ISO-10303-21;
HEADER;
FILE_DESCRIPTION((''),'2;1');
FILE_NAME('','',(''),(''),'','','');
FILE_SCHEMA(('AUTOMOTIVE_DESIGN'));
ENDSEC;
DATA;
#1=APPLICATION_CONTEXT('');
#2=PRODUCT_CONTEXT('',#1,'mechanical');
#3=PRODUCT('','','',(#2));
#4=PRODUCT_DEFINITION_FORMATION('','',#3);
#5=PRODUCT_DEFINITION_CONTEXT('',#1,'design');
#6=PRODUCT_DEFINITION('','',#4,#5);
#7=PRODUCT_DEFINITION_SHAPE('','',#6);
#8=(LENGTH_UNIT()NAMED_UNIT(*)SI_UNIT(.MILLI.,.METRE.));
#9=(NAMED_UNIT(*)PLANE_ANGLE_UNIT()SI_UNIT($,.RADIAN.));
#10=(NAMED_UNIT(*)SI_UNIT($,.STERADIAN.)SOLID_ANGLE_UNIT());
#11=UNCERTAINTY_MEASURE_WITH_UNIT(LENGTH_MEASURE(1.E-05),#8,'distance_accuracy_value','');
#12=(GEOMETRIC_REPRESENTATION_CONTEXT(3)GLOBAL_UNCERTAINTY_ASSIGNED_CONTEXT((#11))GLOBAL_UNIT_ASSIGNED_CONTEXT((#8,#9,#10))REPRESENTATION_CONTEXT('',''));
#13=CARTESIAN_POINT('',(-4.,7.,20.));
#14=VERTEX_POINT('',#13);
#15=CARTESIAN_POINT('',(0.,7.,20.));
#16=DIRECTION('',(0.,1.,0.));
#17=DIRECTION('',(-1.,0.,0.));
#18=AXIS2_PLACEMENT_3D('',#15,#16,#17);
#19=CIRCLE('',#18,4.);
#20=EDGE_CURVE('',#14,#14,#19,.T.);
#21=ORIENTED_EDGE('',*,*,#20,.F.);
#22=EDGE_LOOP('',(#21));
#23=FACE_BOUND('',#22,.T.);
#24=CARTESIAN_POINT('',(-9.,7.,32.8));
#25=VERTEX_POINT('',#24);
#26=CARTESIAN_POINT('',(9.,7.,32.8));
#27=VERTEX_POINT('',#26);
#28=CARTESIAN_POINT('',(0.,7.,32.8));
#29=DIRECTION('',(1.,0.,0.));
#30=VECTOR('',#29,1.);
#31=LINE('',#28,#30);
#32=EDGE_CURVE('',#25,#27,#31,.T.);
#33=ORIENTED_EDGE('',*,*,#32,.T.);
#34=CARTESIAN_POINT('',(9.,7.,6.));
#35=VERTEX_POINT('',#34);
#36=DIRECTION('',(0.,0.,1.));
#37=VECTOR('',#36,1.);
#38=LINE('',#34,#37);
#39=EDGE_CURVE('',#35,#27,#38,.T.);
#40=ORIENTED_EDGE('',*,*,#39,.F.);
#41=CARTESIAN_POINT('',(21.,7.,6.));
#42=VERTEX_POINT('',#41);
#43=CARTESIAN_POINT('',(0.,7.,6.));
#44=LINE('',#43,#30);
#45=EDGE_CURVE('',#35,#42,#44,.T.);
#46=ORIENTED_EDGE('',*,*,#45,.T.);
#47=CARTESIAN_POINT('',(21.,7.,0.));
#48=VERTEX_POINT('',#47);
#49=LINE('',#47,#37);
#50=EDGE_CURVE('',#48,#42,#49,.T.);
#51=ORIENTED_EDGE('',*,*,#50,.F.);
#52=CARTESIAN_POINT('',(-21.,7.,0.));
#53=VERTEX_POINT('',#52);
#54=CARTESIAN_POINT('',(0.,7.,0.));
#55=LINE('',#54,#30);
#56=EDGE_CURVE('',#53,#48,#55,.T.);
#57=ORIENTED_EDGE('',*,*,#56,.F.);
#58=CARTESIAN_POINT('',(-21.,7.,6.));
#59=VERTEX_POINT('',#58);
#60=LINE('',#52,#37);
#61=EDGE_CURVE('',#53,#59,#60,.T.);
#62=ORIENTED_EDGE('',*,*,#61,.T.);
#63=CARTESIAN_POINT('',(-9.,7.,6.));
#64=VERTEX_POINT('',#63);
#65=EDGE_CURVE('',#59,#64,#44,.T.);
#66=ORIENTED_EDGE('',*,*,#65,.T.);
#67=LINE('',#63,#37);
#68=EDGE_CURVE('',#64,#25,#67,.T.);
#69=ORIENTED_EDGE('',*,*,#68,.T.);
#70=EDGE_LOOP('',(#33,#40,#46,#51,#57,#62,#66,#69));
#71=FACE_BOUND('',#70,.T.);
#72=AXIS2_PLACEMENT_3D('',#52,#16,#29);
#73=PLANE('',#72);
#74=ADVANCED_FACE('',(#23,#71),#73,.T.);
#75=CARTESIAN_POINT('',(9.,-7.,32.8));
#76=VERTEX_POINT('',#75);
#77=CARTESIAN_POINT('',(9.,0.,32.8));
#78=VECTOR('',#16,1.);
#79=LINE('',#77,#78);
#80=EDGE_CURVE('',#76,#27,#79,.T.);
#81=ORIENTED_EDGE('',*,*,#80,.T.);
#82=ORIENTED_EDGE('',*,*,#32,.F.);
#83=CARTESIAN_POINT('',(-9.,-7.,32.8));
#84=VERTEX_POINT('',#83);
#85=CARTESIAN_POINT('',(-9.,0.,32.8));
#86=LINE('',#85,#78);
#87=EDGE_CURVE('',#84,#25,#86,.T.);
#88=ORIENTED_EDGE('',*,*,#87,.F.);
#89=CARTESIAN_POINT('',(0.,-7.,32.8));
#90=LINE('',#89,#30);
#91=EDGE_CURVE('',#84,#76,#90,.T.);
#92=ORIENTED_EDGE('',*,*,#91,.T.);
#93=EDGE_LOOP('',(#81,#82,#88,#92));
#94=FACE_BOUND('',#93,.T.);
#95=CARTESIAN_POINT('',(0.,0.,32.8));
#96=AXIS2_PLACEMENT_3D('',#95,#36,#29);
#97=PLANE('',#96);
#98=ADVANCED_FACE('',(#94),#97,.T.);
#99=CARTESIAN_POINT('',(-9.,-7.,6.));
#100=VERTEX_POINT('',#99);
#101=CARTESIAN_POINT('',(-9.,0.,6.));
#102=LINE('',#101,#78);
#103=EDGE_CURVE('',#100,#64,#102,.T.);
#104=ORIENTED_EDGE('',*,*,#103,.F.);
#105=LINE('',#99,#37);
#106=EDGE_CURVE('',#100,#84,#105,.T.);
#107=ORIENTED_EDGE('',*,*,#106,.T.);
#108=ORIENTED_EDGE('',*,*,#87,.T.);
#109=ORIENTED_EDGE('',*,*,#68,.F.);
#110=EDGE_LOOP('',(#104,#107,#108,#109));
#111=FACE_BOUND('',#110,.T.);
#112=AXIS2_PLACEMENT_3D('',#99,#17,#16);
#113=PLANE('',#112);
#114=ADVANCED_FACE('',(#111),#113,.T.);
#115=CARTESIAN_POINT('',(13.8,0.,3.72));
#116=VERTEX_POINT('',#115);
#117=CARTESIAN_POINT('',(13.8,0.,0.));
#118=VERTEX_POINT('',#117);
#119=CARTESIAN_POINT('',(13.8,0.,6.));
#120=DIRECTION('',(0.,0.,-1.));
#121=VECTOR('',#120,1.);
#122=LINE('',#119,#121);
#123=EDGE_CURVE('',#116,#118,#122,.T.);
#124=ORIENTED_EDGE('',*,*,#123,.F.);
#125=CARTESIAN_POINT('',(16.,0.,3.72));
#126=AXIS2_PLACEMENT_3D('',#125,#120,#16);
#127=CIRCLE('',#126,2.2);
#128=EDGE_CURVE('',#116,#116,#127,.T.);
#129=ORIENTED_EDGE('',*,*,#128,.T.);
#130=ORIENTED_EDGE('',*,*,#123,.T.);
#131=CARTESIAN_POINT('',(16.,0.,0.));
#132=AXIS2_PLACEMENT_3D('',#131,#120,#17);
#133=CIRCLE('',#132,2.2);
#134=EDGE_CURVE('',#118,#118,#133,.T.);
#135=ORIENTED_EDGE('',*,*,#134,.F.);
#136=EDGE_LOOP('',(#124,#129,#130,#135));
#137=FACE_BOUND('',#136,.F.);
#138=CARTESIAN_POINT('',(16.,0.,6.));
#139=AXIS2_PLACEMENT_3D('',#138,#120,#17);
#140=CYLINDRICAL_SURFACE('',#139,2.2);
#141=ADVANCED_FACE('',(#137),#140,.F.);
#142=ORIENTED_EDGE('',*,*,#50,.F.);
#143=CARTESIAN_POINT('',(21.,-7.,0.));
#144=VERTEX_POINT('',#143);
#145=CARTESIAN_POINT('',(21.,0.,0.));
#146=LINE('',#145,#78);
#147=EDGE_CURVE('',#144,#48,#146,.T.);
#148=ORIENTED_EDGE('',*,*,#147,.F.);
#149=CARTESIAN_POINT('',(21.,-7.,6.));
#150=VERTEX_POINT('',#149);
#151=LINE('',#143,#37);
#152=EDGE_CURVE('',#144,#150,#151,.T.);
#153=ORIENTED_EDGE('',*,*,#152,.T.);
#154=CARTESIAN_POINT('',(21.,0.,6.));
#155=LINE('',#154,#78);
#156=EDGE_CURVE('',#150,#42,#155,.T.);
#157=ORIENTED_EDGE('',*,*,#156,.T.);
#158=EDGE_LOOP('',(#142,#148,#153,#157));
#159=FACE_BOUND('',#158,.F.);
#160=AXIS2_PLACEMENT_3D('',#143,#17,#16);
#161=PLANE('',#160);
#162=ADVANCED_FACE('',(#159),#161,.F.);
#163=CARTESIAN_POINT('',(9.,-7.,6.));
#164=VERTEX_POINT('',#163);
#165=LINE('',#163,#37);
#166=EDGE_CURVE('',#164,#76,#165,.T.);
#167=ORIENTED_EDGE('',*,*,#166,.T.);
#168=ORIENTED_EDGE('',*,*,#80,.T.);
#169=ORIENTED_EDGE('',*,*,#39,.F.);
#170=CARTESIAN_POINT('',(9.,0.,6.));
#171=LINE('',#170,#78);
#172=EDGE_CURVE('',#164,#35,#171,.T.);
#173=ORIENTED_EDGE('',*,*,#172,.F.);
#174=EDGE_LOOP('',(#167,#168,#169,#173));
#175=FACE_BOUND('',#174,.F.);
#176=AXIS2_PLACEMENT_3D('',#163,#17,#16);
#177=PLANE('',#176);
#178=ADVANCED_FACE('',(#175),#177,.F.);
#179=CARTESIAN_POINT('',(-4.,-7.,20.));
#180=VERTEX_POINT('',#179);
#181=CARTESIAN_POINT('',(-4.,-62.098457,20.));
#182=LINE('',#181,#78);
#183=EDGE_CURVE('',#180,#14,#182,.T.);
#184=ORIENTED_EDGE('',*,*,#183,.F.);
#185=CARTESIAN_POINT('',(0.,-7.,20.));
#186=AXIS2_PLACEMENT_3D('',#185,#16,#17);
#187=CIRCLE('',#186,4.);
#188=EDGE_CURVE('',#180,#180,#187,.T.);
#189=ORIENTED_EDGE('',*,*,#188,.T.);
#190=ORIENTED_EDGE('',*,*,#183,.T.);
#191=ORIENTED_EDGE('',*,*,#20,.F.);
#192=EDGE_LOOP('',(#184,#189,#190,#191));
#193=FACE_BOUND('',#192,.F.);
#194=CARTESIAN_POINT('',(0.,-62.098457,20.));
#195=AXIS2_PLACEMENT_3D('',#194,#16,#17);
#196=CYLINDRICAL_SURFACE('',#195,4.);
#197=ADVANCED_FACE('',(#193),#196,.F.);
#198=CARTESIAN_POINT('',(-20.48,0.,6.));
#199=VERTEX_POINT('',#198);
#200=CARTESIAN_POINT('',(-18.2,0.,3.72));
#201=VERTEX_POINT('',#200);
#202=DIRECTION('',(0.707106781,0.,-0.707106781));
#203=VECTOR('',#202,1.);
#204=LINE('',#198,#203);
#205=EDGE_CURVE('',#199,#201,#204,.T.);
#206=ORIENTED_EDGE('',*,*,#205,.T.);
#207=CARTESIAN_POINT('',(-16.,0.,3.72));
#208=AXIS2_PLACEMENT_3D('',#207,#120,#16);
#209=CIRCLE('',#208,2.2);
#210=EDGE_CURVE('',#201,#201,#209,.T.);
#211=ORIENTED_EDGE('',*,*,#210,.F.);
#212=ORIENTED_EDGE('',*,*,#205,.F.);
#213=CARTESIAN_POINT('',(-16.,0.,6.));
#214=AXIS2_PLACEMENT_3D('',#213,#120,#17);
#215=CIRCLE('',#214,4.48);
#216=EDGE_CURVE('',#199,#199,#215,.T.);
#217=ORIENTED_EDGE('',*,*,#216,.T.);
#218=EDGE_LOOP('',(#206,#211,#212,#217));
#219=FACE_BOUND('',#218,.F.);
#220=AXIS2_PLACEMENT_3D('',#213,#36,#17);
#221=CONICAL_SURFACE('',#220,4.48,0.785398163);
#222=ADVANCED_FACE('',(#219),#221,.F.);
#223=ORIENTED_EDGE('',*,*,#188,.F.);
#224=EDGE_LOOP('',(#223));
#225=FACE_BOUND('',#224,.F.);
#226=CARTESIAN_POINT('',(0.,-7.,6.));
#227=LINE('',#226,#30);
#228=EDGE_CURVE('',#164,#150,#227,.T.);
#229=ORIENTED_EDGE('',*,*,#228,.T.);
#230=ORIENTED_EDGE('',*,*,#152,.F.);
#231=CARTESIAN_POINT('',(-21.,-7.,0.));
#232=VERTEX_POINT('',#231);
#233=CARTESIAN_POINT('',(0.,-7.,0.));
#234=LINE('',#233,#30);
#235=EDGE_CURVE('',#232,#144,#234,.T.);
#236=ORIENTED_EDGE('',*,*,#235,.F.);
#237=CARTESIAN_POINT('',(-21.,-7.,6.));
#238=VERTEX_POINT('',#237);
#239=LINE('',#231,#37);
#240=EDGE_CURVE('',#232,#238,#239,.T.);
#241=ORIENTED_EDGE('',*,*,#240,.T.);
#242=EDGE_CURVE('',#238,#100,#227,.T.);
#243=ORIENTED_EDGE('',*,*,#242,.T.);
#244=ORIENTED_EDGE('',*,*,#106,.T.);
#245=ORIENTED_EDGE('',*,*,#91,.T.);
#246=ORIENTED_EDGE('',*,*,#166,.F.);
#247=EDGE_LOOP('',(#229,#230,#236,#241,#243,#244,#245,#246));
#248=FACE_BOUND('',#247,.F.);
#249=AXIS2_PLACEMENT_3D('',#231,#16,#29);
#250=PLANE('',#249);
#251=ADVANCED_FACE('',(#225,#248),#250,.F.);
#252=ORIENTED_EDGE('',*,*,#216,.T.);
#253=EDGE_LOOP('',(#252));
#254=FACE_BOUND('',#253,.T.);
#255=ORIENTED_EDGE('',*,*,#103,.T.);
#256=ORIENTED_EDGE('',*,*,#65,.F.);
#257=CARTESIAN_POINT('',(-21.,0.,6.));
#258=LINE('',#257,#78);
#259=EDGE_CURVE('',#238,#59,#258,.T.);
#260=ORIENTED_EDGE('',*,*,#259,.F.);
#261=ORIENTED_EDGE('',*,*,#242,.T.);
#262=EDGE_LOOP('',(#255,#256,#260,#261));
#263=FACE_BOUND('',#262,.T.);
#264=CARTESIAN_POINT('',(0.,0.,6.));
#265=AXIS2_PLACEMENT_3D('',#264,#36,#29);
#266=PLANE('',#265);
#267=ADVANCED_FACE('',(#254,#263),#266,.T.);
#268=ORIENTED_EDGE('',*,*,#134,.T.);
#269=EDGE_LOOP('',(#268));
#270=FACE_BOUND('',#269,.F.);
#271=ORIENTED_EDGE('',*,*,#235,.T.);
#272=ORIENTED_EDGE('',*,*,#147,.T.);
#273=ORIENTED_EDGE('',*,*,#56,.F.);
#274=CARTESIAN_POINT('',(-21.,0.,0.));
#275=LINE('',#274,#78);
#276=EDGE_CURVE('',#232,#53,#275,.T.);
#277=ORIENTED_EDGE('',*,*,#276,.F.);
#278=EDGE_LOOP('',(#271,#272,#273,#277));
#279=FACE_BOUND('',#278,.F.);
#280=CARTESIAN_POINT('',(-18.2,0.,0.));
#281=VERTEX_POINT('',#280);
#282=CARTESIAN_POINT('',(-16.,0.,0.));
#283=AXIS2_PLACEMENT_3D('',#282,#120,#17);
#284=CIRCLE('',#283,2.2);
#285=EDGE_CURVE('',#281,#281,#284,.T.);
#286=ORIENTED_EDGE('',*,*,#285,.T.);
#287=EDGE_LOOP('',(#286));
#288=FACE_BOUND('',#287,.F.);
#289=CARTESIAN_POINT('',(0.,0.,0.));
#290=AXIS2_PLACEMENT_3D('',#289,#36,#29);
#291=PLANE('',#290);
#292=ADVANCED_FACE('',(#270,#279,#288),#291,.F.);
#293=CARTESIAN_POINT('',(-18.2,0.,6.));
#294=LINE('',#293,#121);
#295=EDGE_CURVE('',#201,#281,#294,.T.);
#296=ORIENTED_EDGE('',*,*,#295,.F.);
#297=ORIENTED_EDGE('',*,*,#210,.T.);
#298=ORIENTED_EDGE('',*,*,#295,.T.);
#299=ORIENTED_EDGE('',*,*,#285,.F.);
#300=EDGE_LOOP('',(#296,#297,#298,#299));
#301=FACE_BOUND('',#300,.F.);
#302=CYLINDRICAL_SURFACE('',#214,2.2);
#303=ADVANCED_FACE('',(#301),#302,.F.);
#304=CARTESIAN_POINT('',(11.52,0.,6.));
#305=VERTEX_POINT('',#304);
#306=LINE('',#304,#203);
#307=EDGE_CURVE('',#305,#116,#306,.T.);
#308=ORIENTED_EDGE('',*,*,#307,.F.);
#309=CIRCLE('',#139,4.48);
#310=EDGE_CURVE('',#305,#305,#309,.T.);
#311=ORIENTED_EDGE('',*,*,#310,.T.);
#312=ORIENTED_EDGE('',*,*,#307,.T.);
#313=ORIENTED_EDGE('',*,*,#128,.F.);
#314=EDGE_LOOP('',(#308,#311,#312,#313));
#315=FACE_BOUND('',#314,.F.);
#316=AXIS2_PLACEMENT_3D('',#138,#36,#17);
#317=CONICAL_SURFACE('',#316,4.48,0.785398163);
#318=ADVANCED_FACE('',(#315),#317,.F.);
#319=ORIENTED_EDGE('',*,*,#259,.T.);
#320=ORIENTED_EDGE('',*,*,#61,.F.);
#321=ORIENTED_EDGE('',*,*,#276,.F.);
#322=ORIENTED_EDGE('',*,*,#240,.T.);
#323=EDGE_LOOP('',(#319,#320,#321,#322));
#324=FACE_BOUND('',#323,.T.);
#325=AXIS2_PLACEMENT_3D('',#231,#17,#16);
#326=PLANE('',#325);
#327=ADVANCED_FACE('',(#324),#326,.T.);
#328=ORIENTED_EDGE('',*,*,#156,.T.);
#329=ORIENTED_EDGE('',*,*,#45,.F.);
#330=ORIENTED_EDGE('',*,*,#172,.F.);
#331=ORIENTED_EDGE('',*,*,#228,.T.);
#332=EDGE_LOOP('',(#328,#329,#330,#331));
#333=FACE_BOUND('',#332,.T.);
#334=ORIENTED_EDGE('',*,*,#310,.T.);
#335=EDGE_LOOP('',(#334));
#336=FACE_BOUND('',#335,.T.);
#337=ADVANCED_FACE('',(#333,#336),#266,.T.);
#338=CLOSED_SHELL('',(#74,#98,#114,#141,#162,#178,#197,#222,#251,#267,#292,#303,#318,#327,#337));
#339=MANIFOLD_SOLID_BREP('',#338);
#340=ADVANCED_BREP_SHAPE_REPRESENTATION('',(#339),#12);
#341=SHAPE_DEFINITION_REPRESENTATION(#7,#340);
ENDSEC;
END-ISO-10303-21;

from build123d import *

# Parameters (mm, degrees)
F0_W           = 42
F0_H           = 14
F1_DEPTH       = 6
F2_W           = 18
F2_H           = 14
F3_DEPTH       = 26.8
F6_D           = 4.4
F6_CSINK_D     = 8.96
F6_CSINK_ANGLE = 90
F7_D           = 8


with BuildPart() as f1:
    # F0 (on Top) → F1 (new body)
    with BuildSketch(Plane.XY):
        Rectangle(F0_W, F0_H)
    extrude(amount=F1_DEPTH)

    # F2 (on face) → F3 (join)
    with BuildSketch(Plane.XY.offset(6)):
        Rectangle(F2_W, F2_H)
    extrude(amount=F3_DEPTH)

    # F6 (through all)
    with Locations(Plane.XY.offset(6)):
        with Locations((-16, 0), (16, 0)):
            CounterSinkHole(F6_D / 2, F6_CSINK_D / 2, counter_sink_angle=F6_CSINK_ANGLE)

    # F7 (through all)
    with Locations(Plane.XZ.offset(7)):
        with Locations((0, 20)):
            Hole(F7_D / 2)


solid = f1.part
